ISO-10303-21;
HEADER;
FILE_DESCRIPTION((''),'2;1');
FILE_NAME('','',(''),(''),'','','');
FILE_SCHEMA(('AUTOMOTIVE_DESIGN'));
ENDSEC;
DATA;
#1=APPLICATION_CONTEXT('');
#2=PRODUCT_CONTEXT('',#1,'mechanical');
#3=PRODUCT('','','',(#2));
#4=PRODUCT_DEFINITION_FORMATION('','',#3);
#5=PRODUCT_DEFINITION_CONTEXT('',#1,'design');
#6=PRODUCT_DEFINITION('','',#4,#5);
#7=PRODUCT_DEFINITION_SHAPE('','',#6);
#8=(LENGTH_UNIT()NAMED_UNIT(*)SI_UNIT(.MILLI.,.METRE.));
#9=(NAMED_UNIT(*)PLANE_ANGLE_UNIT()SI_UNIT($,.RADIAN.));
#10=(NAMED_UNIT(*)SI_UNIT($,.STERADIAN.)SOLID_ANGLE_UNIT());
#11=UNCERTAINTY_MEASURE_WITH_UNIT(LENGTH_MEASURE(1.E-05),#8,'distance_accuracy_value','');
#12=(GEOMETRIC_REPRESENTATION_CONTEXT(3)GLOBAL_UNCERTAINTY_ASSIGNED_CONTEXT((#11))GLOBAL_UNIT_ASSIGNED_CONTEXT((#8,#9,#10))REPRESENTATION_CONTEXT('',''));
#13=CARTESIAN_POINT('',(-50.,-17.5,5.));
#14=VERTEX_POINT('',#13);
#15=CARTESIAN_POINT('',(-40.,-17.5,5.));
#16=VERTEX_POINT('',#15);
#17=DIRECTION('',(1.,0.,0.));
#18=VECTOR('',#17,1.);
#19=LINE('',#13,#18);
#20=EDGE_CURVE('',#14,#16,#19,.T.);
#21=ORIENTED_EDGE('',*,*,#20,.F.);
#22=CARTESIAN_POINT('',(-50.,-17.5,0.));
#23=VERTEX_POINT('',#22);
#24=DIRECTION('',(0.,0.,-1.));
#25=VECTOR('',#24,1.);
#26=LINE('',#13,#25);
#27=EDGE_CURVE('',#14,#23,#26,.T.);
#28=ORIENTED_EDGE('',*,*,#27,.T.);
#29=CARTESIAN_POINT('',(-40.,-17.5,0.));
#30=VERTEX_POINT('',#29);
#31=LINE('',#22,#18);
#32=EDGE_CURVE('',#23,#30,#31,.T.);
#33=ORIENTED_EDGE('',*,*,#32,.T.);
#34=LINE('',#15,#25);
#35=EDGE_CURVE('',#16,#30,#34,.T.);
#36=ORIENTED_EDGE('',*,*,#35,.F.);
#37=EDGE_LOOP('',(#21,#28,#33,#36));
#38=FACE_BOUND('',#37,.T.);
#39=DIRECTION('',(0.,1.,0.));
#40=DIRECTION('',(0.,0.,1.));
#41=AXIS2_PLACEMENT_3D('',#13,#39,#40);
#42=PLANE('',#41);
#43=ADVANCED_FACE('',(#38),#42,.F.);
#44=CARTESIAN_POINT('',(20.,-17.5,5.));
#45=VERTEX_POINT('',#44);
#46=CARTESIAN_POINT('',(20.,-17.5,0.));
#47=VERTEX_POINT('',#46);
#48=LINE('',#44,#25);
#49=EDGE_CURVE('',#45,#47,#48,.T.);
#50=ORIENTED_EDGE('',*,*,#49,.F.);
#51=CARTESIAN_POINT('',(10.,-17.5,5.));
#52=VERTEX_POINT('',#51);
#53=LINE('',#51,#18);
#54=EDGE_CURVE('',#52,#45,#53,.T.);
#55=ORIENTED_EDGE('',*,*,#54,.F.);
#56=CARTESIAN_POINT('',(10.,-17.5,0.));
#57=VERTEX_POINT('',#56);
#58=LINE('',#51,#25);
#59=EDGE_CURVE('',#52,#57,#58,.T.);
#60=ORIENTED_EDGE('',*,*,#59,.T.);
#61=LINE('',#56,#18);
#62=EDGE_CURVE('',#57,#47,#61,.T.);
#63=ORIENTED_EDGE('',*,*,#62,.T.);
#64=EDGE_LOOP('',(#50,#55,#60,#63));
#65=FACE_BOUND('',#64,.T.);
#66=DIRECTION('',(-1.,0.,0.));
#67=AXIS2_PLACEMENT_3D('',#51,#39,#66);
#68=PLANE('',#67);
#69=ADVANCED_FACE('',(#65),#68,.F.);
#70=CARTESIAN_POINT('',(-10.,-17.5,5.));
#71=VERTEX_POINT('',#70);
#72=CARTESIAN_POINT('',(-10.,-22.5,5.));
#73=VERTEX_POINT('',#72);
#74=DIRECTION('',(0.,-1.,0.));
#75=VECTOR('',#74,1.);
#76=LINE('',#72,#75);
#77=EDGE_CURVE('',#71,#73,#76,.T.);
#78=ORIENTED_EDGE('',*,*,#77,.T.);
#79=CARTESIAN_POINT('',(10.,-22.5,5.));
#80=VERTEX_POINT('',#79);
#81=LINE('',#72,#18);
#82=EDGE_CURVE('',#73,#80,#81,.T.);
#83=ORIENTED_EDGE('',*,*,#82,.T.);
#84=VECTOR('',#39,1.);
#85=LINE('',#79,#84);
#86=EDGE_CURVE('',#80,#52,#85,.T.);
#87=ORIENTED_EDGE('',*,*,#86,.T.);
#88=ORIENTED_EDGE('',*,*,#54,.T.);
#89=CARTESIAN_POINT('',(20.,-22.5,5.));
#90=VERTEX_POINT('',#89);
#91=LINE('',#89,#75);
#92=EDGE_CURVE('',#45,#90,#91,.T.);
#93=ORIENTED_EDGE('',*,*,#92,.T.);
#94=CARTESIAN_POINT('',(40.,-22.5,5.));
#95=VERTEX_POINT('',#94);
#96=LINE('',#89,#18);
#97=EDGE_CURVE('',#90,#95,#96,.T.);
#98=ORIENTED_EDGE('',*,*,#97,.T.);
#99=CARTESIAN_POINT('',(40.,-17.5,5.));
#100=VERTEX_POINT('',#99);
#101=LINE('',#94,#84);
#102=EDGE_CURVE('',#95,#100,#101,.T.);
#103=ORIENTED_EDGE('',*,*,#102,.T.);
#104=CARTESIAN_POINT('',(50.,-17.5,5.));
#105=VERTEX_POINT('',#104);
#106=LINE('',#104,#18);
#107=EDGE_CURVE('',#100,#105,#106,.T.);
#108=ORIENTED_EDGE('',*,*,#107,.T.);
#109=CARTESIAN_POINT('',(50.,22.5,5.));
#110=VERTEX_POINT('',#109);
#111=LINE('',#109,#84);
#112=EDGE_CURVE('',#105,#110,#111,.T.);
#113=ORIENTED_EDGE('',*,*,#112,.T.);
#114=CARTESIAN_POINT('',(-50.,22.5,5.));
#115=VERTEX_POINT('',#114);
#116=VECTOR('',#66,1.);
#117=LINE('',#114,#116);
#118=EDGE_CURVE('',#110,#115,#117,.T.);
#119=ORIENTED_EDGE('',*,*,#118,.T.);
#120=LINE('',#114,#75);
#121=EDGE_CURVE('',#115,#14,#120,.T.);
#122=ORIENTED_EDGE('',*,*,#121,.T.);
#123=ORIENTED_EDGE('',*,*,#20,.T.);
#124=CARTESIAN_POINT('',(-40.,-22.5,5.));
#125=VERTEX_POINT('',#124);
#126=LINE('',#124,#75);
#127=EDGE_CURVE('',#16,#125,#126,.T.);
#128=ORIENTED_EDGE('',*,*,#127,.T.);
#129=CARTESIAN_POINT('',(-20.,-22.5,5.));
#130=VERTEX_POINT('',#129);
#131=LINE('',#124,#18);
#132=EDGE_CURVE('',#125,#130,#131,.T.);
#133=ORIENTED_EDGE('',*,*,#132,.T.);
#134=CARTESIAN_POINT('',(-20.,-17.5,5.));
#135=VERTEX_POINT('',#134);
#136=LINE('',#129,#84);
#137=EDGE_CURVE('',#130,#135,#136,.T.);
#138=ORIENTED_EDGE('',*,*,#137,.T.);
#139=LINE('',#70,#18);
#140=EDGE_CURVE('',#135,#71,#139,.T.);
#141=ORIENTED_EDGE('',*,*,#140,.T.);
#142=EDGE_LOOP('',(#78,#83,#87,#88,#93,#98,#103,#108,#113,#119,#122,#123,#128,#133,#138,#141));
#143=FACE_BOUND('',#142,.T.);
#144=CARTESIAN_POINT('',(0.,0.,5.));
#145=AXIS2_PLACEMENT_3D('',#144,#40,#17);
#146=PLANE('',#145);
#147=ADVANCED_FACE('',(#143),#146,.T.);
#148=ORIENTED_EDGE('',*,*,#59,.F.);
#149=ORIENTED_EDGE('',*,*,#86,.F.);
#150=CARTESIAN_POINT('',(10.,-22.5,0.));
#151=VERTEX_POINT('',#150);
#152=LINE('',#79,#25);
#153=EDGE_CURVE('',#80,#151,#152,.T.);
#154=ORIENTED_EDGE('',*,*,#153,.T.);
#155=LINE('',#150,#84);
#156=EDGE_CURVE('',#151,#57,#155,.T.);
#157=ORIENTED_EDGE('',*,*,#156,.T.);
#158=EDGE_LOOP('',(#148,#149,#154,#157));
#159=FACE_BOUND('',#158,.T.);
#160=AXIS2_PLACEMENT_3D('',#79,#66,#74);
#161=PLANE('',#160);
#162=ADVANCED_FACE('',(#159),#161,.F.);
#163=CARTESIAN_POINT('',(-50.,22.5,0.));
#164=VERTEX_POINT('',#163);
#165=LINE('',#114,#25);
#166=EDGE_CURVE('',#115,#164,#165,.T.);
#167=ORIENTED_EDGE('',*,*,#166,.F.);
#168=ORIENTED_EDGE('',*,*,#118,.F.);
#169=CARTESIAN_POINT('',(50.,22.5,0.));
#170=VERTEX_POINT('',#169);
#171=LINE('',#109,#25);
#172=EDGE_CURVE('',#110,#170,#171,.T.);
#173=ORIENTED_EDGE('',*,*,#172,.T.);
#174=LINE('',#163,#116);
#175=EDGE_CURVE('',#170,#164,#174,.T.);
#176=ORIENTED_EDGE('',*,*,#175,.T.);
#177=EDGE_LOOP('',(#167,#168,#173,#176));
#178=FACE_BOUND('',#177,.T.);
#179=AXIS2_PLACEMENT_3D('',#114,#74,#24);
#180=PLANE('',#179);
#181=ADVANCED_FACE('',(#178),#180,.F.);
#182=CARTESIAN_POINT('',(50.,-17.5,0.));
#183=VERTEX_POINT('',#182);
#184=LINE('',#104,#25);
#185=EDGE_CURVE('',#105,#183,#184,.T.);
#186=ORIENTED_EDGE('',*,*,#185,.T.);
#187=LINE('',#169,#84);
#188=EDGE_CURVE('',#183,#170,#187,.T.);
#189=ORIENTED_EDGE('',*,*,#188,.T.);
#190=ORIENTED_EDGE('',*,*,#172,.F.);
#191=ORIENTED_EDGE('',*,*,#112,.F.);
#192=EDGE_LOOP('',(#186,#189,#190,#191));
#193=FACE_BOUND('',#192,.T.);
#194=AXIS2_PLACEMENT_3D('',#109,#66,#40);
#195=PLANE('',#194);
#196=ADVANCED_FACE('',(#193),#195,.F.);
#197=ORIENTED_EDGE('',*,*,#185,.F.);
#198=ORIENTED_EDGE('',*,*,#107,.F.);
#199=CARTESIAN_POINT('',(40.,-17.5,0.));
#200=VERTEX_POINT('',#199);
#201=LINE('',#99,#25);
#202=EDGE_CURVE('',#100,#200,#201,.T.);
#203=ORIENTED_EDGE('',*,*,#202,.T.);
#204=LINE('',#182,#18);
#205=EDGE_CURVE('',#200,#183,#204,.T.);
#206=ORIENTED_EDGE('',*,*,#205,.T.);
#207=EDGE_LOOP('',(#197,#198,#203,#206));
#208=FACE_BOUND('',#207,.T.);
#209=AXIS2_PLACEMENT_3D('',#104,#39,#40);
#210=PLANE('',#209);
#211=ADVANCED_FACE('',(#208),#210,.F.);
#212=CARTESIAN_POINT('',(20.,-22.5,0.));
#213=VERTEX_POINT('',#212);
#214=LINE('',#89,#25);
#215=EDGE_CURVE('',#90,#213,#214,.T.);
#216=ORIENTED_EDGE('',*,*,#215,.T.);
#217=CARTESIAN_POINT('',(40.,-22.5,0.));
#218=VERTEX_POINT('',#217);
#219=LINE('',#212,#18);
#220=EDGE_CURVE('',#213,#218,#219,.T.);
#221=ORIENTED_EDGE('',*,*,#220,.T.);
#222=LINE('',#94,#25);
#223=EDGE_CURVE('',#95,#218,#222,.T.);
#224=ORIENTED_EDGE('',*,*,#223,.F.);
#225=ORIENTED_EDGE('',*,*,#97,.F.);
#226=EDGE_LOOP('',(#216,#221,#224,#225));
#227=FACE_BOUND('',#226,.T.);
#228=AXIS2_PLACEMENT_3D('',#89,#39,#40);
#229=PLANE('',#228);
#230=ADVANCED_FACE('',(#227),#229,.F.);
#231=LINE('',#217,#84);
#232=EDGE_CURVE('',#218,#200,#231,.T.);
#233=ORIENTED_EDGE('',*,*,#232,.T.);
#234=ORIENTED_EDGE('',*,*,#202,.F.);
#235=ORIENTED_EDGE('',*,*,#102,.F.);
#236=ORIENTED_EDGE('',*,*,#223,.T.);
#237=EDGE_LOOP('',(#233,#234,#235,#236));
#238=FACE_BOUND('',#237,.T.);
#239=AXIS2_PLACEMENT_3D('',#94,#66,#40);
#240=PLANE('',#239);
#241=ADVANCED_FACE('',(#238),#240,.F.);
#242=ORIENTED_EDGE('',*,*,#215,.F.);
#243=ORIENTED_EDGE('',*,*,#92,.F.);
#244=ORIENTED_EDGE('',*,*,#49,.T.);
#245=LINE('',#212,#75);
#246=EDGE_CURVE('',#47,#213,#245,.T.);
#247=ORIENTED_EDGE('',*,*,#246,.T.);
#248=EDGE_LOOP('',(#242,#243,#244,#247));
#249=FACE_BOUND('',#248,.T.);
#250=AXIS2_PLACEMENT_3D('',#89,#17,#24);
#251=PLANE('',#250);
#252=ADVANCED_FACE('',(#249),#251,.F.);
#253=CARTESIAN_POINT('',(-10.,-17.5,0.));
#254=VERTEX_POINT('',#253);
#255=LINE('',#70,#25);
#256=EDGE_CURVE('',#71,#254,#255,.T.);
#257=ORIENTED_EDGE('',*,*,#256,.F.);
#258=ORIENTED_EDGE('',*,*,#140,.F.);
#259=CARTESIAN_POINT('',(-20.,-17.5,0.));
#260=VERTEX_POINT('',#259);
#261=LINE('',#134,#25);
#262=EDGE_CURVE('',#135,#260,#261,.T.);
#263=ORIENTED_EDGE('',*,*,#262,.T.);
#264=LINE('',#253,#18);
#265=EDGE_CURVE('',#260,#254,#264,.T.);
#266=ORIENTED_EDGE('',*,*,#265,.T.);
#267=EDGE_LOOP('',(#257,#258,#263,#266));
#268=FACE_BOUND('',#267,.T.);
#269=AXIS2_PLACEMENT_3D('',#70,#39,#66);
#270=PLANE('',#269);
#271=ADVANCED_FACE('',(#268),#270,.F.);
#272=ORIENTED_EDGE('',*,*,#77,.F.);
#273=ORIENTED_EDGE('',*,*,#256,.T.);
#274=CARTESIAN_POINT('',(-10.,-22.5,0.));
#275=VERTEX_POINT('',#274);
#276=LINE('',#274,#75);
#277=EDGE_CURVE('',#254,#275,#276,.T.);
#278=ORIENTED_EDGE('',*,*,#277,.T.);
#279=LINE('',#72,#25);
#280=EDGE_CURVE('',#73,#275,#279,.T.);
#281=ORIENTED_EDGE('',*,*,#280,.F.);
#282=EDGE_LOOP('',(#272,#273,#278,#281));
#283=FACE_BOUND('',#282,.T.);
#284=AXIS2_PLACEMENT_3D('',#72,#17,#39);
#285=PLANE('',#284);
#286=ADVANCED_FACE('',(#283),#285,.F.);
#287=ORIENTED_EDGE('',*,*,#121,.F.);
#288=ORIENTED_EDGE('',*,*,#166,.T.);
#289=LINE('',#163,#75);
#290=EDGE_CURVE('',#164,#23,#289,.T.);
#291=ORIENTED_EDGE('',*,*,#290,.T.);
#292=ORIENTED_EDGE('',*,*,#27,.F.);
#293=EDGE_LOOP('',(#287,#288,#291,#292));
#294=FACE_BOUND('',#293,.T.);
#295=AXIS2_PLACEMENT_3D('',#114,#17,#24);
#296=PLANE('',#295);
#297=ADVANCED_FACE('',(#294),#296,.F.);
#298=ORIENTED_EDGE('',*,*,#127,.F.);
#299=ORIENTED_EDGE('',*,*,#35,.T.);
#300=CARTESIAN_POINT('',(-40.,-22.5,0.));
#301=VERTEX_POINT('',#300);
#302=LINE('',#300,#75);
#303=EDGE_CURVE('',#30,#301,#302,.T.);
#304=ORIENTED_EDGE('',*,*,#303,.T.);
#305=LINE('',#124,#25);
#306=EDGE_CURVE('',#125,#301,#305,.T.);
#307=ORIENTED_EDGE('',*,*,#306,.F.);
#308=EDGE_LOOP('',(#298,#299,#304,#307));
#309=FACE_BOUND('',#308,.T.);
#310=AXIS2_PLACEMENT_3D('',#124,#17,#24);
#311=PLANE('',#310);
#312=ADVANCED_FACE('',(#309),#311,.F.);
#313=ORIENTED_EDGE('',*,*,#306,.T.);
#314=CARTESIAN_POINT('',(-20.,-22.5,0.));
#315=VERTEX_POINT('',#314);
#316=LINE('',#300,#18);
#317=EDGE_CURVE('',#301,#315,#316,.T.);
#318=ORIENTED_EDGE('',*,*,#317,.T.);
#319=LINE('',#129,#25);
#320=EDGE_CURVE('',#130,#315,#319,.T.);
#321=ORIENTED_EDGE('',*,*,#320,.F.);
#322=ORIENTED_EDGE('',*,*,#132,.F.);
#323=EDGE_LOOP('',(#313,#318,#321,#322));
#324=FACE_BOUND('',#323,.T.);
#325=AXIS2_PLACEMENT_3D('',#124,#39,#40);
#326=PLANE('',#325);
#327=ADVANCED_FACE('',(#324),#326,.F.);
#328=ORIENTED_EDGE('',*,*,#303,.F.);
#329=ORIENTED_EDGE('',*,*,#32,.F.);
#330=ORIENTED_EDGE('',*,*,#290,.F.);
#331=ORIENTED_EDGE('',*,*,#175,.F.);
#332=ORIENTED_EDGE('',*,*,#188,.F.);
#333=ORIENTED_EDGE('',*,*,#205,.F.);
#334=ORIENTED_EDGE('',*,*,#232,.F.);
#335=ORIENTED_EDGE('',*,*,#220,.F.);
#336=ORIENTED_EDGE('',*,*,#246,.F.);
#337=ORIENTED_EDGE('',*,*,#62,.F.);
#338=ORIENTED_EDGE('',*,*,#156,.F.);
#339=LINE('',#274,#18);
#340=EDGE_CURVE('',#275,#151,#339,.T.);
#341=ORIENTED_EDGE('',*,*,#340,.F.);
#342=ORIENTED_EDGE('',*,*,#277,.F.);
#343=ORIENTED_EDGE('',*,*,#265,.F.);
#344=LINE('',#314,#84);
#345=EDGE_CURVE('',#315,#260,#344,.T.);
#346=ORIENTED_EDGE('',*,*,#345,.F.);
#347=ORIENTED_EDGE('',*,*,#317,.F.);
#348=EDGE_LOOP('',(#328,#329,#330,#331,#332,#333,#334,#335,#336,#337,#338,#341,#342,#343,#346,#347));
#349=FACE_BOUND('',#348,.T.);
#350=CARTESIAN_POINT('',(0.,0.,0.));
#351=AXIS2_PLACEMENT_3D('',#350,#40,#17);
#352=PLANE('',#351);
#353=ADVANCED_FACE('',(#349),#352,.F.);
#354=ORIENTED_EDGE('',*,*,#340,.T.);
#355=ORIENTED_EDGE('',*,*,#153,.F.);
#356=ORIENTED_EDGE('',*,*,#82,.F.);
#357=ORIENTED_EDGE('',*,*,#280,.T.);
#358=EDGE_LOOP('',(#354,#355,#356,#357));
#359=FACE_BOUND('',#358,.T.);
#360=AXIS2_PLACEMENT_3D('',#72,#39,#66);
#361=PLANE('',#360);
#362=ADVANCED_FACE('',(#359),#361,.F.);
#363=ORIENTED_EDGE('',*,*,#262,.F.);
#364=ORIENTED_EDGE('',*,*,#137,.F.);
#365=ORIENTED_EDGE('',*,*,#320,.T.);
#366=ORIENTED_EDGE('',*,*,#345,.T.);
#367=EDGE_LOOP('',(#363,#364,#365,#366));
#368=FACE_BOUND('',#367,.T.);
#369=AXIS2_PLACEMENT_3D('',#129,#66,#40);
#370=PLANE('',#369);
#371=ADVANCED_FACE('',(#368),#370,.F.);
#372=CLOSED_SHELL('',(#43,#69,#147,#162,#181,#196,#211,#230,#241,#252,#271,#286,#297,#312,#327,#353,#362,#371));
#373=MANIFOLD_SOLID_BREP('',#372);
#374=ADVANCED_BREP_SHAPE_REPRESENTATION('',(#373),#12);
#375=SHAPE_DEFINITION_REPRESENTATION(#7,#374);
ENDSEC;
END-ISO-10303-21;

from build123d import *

# Parameters (mm, degrees)
BOSS_EXTRU_1_DEPTH = 5


with BuildPart() as part:
    # Esquisse1 → Boss.-Extru.1 (new body)
    with BuildSketch(Plane.XY):
        Polygon((-50, 22.5), (50, 22.5), (50, -17.5), (40, -17.5), (40, -22.5), (20, -22.5), (20, -17.5), (10, -17.5), (10, -22.5), (-10, -22.5), (-10, -17.5), (-20, -17.5), (-20, -22.5), (-40, -22.5), (-40, -17.5), (-50, -17.5), align=None)
    extrude(amount=BOSS_EXTRU_1_DEPTH)


solid = part.part
